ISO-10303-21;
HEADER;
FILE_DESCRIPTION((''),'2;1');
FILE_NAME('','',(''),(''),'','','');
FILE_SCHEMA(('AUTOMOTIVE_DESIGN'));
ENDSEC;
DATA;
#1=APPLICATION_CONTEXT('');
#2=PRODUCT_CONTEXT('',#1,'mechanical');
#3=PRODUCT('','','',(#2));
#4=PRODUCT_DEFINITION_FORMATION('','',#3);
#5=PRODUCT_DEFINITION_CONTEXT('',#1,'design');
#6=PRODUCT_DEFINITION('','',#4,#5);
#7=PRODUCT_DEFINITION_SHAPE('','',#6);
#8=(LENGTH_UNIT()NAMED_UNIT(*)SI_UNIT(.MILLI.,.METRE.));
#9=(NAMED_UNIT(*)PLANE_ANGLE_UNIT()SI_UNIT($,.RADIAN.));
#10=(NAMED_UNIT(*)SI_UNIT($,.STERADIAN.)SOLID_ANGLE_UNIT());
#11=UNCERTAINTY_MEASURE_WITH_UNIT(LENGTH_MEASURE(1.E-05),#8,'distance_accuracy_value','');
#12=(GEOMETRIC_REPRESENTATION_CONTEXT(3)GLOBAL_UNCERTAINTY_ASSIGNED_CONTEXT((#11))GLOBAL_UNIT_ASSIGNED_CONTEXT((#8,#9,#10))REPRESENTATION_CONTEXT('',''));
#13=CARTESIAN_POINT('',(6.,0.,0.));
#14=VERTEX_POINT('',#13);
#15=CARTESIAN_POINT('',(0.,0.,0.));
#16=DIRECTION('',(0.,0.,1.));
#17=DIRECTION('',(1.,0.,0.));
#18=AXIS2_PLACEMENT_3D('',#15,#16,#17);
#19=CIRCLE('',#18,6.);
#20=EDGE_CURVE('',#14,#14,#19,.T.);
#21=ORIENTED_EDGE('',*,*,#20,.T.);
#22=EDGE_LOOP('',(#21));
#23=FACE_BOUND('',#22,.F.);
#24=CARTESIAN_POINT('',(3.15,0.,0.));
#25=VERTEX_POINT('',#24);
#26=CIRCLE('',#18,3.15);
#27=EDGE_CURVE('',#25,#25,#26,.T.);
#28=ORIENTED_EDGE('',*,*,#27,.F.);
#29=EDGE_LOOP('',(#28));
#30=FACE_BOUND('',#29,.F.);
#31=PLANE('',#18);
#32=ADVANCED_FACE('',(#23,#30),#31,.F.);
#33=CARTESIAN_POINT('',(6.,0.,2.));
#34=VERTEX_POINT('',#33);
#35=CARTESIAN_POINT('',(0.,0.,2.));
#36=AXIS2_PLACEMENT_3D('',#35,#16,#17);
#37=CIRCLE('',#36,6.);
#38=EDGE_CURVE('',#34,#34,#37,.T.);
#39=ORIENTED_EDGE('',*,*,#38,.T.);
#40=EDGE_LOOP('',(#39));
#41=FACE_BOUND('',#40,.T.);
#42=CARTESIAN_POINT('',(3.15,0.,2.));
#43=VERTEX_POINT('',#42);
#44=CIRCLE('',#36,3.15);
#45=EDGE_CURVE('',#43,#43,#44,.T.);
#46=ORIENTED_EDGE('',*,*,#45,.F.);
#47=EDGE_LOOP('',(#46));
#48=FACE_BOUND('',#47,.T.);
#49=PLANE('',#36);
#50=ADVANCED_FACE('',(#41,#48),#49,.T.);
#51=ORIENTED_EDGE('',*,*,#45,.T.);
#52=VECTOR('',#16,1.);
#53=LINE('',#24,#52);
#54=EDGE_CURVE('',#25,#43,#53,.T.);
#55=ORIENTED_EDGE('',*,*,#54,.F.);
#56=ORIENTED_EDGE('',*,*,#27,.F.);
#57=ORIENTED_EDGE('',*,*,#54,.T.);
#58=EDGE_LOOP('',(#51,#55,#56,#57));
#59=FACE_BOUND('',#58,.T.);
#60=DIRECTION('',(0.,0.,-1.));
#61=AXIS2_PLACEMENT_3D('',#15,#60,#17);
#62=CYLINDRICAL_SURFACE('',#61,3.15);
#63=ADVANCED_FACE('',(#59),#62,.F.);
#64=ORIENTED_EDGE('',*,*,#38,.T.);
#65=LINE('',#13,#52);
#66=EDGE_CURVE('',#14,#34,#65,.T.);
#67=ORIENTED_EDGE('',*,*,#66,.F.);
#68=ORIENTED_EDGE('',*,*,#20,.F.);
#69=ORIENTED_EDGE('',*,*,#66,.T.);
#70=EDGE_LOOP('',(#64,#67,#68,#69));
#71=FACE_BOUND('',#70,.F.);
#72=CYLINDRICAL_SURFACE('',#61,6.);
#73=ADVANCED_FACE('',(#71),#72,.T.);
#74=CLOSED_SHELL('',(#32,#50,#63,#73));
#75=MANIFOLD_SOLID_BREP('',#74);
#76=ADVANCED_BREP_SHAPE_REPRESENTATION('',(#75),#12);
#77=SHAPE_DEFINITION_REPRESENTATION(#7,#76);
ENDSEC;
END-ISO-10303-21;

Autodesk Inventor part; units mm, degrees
ref_plane "YZ Plane" through (0, 0, 0) normal (1, 0, 0) x (0, 1, 0)
ref_plane "XZ Plane" through (0, 0, 0) normal (0, 1, 0) x (-1, 0, 0)
ref_plane "XY Plane" through (0, 0, 0) normal (0, 0, 1) x (1, 0, 0)
sketch "スケッチ1" plane through (0, 0, 0) normal (0, 0, 1) x (1, 0, 0)
  circle A0 centre (0, 0) radius 3.15
  circle A1 centre (0, 0) radius 6
  dimension "d0" = 6.3
  dimension "d1" = 12
extrude "押し出し1" add sketch "スケッチ1" along normal blind 2
properties part number "TT-0610-20" material "고무"
